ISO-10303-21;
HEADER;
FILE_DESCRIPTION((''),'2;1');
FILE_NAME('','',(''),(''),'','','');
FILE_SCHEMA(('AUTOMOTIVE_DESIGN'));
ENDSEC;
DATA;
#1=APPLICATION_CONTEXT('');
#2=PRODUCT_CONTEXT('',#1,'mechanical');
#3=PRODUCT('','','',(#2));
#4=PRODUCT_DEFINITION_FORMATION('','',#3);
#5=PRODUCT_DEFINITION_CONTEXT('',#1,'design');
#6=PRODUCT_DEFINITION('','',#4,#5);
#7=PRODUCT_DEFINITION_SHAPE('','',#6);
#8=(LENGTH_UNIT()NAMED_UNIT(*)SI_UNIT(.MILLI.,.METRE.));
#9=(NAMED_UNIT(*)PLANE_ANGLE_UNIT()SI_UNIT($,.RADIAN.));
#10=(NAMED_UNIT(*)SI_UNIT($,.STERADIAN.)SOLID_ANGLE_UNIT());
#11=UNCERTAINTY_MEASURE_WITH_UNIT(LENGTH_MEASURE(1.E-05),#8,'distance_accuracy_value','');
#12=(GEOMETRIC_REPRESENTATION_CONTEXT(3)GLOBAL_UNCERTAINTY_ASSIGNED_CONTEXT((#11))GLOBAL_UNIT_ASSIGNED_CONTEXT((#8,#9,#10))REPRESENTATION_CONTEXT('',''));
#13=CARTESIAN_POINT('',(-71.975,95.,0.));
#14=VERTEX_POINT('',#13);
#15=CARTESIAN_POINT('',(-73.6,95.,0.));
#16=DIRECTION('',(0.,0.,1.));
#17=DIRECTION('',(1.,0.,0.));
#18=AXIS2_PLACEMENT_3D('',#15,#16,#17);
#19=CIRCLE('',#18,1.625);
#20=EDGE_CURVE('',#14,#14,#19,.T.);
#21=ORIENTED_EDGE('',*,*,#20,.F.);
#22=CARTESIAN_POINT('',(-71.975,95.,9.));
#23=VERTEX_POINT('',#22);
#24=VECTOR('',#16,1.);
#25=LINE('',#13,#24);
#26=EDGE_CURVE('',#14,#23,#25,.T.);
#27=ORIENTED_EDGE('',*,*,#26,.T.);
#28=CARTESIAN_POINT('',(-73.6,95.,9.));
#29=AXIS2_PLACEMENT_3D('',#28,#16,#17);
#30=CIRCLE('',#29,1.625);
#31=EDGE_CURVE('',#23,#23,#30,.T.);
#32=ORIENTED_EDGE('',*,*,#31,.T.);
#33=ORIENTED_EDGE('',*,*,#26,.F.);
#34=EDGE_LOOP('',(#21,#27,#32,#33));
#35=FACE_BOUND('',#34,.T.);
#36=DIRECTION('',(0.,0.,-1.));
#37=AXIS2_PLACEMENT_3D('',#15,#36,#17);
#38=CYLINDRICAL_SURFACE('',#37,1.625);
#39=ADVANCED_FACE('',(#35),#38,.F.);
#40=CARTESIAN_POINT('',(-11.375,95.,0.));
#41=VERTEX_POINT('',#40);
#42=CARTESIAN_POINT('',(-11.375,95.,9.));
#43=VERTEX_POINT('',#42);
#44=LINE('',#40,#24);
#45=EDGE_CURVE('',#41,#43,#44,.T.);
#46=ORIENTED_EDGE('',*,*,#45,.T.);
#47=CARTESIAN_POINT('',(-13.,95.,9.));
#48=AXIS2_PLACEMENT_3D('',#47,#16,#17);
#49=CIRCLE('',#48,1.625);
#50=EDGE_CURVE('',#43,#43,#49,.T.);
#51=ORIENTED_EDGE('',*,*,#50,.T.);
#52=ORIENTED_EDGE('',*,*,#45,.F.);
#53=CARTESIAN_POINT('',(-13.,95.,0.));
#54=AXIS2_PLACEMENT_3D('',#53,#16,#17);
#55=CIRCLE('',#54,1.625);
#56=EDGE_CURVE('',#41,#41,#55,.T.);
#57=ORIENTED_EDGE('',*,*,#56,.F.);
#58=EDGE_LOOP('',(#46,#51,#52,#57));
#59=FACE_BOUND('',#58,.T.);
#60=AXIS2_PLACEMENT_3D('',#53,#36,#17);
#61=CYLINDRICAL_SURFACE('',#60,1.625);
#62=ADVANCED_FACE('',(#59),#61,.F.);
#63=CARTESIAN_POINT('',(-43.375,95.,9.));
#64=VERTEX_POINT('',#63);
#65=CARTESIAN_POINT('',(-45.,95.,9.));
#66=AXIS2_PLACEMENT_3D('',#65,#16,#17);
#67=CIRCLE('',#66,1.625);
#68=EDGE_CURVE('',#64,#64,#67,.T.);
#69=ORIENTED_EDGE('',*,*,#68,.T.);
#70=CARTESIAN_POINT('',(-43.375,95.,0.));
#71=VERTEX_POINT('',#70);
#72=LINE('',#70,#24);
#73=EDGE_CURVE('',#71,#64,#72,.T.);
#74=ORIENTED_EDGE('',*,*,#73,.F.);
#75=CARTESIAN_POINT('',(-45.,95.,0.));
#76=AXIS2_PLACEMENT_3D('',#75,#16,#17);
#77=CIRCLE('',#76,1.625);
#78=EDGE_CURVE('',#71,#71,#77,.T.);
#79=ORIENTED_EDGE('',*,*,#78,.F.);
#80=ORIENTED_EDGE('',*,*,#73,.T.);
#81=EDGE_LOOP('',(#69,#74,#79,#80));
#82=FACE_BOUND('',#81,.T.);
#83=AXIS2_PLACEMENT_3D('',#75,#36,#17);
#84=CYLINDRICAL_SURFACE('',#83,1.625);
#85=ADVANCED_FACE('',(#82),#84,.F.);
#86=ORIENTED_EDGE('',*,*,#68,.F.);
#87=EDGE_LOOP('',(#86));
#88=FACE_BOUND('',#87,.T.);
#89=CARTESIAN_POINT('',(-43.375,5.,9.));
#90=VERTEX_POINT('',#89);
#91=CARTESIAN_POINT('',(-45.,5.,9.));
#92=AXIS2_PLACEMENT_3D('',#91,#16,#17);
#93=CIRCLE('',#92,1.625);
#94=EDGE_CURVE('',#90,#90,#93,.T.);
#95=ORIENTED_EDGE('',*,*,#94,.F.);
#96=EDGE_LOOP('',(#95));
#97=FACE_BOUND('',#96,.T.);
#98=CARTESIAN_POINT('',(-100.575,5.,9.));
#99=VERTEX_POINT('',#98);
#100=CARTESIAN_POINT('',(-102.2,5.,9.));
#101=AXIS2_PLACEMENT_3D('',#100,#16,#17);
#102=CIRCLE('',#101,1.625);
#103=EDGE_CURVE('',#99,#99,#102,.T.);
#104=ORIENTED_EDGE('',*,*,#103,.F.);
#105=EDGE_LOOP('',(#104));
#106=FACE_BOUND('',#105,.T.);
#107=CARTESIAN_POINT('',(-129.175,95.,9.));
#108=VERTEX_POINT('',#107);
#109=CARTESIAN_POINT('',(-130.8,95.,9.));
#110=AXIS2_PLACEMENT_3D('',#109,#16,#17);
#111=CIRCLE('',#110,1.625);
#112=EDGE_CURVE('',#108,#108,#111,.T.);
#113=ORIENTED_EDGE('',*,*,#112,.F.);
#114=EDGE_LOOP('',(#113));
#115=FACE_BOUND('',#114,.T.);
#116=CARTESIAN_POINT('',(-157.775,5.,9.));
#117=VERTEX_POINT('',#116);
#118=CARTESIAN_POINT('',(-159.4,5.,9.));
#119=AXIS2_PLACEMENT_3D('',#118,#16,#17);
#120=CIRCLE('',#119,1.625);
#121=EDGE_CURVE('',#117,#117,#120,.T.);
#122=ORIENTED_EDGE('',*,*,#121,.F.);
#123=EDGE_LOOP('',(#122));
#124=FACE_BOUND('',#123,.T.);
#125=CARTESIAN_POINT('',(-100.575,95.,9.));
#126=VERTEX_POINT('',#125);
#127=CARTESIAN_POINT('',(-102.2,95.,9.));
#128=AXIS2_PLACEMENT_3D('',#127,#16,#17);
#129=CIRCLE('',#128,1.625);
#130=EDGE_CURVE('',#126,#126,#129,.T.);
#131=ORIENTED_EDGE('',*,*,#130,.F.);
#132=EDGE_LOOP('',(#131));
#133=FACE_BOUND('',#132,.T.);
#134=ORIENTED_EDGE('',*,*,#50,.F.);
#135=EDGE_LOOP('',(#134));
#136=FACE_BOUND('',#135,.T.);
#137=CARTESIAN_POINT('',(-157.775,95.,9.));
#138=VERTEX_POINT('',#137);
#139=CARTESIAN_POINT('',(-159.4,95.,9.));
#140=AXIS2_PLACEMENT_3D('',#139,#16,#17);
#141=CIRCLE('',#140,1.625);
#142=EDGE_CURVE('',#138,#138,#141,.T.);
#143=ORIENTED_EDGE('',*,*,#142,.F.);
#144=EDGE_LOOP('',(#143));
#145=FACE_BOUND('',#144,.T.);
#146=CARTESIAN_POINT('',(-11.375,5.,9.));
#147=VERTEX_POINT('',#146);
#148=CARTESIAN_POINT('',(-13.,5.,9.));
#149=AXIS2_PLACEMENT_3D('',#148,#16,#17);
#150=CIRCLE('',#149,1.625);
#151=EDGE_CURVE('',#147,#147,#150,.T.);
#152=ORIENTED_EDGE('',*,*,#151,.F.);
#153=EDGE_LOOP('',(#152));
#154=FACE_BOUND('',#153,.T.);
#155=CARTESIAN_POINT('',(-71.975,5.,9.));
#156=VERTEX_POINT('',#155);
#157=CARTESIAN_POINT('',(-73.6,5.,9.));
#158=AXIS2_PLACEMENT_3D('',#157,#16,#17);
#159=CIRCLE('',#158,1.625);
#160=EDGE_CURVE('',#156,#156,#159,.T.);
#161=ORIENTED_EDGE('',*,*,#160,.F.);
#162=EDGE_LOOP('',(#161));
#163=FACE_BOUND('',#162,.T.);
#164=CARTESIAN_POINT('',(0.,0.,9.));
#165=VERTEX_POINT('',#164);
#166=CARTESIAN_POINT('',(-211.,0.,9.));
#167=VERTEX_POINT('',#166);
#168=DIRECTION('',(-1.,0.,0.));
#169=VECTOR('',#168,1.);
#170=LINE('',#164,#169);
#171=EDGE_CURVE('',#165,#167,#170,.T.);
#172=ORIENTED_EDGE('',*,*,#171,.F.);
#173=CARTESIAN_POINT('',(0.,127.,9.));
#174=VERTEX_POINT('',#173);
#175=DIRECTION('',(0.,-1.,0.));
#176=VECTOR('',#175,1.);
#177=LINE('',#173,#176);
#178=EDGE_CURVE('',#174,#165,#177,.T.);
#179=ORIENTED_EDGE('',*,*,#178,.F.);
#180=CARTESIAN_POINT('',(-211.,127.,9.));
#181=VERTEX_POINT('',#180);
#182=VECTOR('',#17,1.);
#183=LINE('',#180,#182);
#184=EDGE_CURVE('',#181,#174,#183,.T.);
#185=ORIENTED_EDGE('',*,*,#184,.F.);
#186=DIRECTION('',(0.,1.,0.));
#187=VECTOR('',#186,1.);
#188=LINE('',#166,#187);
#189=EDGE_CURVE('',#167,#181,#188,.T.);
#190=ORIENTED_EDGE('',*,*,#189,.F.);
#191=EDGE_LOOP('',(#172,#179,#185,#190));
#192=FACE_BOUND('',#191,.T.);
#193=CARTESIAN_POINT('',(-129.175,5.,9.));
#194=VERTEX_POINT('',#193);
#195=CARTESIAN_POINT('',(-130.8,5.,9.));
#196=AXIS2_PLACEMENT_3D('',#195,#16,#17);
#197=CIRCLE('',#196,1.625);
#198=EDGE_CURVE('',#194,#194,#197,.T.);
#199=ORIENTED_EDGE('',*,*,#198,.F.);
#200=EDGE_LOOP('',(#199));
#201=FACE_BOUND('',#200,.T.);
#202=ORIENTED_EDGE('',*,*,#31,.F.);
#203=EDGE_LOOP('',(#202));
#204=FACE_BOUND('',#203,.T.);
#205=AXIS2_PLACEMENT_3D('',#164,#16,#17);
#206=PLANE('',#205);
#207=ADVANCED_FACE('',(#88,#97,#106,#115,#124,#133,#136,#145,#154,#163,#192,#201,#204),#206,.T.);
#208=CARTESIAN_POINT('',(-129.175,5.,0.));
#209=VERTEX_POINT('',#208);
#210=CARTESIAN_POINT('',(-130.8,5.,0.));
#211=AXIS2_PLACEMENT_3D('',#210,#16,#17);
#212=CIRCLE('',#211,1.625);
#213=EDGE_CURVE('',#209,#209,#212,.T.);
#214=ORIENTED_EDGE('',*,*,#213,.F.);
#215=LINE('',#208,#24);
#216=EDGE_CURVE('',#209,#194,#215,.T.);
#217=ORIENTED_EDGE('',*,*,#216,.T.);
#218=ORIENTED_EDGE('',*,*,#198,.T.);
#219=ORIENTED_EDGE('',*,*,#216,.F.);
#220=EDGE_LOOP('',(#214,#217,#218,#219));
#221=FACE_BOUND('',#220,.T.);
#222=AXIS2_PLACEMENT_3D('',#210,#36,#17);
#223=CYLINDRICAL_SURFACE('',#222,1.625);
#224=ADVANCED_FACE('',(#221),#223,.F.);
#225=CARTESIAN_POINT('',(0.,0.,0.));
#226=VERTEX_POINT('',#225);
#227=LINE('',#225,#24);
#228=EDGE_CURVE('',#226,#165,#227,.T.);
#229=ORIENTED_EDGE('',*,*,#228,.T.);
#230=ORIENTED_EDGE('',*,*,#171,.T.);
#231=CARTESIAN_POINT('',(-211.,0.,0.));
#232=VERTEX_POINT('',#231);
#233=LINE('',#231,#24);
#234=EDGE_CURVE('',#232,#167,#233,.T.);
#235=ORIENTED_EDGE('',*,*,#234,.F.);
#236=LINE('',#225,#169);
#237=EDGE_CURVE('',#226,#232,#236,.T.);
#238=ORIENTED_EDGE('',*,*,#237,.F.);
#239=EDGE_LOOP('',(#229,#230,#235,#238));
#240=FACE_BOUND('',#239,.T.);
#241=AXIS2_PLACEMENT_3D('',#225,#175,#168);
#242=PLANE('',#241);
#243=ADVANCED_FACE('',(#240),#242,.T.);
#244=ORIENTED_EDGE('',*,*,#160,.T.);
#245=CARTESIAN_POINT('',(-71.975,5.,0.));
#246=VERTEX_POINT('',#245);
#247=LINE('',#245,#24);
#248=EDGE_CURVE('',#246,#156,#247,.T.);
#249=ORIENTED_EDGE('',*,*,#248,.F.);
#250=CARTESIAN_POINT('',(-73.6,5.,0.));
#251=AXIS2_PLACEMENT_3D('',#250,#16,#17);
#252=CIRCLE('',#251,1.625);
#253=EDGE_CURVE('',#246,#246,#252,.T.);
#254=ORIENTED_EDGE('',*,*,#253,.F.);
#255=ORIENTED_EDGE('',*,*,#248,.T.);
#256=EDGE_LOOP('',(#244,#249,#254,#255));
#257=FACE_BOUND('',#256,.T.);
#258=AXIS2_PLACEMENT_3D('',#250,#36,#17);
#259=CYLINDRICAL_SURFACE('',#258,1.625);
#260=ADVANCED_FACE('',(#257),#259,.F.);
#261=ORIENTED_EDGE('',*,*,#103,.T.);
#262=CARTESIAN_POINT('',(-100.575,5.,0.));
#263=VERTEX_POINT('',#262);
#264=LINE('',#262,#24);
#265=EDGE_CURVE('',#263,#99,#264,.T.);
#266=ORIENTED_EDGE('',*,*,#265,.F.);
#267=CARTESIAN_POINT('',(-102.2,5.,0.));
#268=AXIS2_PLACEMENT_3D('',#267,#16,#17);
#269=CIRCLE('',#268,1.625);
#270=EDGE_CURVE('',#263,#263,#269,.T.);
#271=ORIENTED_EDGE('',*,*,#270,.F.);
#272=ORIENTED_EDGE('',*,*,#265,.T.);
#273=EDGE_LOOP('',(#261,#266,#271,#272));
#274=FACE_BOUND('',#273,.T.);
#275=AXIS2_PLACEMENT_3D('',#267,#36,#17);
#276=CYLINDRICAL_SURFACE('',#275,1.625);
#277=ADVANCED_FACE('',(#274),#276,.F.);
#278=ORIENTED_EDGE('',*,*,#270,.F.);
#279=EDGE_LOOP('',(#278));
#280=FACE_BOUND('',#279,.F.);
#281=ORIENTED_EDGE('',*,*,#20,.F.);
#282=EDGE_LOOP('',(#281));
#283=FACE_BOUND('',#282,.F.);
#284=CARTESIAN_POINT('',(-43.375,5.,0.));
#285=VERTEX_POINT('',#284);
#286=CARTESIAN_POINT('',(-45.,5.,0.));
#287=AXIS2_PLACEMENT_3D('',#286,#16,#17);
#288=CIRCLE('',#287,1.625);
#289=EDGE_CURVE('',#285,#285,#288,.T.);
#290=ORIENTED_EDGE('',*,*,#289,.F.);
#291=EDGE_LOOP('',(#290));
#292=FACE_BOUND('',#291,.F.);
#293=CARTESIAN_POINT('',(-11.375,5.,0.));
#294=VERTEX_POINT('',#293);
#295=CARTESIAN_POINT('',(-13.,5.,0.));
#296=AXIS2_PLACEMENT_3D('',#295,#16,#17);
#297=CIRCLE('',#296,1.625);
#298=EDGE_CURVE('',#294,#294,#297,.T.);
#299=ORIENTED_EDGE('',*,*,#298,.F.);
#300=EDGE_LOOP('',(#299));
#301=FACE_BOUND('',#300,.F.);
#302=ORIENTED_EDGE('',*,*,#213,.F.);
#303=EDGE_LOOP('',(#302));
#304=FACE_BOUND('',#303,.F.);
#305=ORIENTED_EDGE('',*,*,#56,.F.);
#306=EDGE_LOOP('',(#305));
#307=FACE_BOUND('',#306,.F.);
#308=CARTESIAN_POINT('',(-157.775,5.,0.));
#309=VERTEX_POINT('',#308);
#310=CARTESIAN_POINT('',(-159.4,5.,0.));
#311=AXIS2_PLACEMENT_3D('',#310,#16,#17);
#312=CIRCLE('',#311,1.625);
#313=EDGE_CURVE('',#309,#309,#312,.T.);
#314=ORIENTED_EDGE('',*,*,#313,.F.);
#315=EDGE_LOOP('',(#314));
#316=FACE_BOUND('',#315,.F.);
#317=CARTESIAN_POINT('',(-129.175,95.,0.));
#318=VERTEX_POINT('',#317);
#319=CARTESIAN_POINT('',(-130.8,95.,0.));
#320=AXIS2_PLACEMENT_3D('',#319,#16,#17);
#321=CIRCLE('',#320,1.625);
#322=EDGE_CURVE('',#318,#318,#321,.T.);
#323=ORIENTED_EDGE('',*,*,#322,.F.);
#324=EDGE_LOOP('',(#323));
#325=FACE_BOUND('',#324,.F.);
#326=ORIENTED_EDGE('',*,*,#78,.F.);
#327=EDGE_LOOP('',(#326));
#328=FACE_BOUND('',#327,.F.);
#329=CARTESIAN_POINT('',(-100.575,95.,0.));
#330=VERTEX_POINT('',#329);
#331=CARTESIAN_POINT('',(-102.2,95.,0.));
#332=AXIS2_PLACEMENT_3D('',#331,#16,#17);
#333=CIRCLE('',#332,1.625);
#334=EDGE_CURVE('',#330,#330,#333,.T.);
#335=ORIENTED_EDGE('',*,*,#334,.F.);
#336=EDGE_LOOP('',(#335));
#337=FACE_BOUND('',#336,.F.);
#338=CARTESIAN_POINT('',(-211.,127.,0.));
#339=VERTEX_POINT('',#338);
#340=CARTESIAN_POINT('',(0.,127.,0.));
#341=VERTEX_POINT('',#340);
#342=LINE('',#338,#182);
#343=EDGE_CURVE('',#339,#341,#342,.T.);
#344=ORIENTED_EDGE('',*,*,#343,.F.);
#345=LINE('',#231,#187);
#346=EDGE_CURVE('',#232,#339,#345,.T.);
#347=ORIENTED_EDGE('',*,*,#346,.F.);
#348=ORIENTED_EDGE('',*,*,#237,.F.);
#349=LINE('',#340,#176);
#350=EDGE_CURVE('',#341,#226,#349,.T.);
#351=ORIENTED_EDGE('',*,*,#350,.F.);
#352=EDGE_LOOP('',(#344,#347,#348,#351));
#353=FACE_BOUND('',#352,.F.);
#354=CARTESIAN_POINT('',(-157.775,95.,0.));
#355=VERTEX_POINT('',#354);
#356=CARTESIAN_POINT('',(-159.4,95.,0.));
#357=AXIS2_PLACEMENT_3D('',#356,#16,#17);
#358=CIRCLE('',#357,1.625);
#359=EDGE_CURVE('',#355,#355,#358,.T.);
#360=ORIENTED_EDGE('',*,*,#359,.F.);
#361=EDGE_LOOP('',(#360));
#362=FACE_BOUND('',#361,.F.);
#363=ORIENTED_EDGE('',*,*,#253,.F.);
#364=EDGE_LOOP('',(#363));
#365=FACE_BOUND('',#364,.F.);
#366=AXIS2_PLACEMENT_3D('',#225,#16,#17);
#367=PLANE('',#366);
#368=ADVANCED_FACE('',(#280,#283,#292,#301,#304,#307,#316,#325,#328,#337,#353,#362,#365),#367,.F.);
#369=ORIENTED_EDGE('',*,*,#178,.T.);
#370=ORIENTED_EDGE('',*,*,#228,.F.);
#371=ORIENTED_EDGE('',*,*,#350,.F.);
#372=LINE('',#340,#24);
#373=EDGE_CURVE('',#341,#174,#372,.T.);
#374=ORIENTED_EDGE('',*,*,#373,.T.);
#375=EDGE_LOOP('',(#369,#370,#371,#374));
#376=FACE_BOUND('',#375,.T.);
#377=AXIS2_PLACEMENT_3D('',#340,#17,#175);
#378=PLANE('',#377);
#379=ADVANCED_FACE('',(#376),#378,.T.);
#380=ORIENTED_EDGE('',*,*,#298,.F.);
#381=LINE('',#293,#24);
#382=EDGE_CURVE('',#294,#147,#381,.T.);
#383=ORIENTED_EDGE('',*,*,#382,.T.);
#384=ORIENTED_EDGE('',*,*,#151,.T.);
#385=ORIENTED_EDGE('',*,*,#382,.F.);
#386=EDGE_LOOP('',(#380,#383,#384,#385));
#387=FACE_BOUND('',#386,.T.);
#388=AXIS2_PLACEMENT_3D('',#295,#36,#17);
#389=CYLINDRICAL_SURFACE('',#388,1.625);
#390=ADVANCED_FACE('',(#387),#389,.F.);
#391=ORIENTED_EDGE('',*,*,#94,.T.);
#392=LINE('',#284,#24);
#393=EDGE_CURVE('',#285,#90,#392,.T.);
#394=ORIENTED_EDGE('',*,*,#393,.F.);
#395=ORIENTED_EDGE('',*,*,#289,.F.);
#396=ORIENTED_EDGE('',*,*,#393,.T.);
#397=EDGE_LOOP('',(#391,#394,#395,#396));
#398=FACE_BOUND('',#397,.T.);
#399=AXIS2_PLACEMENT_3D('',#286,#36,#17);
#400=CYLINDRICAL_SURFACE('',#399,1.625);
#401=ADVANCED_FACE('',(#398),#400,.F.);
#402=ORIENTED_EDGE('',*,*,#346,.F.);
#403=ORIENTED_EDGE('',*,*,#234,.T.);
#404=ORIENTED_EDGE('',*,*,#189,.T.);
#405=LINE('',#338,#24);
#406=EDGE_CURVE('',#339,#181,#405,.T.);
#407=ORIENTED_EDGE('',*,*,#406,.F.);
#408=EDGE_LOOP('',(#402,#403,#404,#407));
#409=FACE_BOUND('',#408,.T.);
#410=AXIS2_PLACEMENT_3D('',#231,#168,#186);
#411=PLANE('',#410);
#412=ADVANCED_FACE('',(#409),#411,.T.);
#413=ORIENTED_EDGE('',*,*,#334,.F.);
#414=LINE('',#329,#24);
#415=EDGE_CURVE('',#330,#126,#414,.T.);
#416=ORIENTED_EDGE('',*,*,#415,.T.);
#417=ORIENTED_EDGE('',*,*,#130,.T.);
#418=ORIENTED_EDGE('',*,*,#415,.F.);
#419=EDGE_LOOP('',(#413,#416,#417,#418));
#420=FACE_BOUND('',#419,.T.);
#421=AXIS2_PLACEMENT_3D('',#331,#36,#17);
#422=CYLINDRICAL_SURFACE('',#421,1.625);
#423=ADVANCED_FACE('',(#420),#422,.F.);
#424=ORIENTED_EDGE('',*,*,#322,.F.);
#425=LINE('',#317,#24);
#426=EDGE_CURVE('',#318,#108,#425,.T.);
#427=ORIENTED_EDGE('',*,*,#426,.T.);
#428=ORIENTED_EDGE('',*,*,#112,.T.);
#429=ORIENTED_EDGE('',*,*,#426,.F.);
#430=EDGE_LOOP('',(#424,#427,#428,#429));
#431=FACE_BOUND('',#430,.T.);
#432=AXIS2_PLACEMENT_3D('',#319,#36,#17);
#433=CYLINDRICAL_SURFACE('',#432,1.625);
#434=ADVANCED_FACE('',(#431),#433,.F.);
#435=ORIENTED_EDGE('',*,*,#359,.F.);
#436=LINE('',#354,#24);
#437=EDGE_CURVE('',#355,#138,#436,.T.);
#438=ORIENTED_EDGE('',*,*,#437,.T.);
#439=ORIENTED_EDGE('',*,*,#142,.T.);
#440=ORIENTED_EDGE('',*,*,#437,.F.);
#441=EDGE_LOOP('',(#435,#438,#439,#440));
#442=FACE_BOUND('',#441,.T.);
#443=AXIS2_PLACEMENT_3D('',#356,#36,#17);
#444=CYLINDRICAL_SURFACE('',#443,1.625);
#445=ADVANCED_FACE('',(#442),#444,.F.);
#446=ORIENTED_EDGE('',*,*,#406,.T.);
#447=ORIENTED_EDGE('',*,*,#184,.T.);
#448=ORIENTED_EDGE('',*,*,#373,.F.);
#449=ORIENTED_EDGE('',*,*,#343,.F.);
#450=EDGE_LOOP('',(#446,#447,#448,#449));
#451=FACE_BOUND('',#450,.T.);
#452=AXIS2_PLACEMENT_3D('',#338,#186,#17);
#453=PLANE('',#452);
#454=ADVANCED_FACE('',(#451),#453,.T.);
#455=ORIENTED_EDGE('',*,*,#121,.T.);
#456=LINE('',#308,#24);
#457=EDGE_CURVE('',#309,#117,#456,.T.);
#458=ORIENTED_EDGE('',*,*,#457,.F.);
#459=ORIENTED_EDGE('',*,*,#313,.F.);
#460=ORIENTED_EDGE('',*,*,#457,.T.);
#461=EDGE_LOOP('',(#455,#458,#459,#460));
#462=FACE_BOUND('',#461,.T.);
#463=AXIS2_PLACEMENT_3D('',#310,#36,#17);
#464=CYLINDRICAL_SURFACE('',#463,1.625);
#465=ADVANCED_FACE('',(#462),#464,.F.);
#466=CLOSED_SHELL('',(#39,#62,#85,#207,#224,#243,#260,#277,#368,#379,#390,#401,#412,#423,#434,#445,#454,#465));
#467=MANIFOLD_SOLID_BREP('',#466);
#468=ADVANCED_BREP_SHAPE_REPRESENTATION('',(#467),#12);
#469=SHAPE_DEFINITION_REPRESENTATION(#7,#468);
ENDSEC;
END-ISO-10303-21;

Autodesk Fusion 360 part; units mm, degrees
sketch "Skizze1" plane through (0, 0, 0) normal (0, 0, 1) x (1, 0, 0)
  line L0 (0, 0) -> (-211, 0)
  line L1 (-211, 0) -> (-211, 127)
  line L2 (-211, 127) -> (0, 127)
  line L3 (0, 127) -> (0, 0)
  circle A0 centre (-13, 5) radius 1.625
  circle A1 centre (-13, 95) radius 1.625
  circle A2 centre (-45, 5) radius 1.625
  circle A3 centre (-45, 95) radius 1.625
  circle A4 centre (-73.6, 5) radius 1.625
  circle A5 centre (-73.6, 5) radius 1.625
  circle A6 centre (-102.2, 5) radius 1.625
  circle A7 centre (-130.8, 5) radius 1.625
  circle A8 centre (-159.4, 5) radius 1.625
  circle A9 centre (-73.6, 95) radius 1.625
  circle A10 centre (-102.2, 95) radius 1.625
  circle A11 centre (-159.4, 95) radius 1.625
  circle A12 centre (-130.8, 95) radius 1.625
  dimension "d1" = 211
  dimension "d2" = 127
  dimension "d3" = 3.25
  dimension "d4" = 13
  dimension "d5" = 5
  dimension "d6" = 3.25
  dimension "d7" = 13
  dimension "d8" = 90
  dimension "d9" = 3.25
  dimension "d10" = 32
  dimension "d11" = 3.25
  dimension "d12" = 3.25
  dimension "d13" = 28.6
  dimension "d14" = 3.25
  dimension "d15" = 3.25
  dimension "d16" = 3.25
  dimension "d17" = 3.25
  dimension "d18" = 3.25
  dimension "d19" = 3.25
  dimension "d20" = 3.25
  dimension "d21" = 3.25
extrude "Extrusion1" add sketch "Skizze1" along normal blind 9
